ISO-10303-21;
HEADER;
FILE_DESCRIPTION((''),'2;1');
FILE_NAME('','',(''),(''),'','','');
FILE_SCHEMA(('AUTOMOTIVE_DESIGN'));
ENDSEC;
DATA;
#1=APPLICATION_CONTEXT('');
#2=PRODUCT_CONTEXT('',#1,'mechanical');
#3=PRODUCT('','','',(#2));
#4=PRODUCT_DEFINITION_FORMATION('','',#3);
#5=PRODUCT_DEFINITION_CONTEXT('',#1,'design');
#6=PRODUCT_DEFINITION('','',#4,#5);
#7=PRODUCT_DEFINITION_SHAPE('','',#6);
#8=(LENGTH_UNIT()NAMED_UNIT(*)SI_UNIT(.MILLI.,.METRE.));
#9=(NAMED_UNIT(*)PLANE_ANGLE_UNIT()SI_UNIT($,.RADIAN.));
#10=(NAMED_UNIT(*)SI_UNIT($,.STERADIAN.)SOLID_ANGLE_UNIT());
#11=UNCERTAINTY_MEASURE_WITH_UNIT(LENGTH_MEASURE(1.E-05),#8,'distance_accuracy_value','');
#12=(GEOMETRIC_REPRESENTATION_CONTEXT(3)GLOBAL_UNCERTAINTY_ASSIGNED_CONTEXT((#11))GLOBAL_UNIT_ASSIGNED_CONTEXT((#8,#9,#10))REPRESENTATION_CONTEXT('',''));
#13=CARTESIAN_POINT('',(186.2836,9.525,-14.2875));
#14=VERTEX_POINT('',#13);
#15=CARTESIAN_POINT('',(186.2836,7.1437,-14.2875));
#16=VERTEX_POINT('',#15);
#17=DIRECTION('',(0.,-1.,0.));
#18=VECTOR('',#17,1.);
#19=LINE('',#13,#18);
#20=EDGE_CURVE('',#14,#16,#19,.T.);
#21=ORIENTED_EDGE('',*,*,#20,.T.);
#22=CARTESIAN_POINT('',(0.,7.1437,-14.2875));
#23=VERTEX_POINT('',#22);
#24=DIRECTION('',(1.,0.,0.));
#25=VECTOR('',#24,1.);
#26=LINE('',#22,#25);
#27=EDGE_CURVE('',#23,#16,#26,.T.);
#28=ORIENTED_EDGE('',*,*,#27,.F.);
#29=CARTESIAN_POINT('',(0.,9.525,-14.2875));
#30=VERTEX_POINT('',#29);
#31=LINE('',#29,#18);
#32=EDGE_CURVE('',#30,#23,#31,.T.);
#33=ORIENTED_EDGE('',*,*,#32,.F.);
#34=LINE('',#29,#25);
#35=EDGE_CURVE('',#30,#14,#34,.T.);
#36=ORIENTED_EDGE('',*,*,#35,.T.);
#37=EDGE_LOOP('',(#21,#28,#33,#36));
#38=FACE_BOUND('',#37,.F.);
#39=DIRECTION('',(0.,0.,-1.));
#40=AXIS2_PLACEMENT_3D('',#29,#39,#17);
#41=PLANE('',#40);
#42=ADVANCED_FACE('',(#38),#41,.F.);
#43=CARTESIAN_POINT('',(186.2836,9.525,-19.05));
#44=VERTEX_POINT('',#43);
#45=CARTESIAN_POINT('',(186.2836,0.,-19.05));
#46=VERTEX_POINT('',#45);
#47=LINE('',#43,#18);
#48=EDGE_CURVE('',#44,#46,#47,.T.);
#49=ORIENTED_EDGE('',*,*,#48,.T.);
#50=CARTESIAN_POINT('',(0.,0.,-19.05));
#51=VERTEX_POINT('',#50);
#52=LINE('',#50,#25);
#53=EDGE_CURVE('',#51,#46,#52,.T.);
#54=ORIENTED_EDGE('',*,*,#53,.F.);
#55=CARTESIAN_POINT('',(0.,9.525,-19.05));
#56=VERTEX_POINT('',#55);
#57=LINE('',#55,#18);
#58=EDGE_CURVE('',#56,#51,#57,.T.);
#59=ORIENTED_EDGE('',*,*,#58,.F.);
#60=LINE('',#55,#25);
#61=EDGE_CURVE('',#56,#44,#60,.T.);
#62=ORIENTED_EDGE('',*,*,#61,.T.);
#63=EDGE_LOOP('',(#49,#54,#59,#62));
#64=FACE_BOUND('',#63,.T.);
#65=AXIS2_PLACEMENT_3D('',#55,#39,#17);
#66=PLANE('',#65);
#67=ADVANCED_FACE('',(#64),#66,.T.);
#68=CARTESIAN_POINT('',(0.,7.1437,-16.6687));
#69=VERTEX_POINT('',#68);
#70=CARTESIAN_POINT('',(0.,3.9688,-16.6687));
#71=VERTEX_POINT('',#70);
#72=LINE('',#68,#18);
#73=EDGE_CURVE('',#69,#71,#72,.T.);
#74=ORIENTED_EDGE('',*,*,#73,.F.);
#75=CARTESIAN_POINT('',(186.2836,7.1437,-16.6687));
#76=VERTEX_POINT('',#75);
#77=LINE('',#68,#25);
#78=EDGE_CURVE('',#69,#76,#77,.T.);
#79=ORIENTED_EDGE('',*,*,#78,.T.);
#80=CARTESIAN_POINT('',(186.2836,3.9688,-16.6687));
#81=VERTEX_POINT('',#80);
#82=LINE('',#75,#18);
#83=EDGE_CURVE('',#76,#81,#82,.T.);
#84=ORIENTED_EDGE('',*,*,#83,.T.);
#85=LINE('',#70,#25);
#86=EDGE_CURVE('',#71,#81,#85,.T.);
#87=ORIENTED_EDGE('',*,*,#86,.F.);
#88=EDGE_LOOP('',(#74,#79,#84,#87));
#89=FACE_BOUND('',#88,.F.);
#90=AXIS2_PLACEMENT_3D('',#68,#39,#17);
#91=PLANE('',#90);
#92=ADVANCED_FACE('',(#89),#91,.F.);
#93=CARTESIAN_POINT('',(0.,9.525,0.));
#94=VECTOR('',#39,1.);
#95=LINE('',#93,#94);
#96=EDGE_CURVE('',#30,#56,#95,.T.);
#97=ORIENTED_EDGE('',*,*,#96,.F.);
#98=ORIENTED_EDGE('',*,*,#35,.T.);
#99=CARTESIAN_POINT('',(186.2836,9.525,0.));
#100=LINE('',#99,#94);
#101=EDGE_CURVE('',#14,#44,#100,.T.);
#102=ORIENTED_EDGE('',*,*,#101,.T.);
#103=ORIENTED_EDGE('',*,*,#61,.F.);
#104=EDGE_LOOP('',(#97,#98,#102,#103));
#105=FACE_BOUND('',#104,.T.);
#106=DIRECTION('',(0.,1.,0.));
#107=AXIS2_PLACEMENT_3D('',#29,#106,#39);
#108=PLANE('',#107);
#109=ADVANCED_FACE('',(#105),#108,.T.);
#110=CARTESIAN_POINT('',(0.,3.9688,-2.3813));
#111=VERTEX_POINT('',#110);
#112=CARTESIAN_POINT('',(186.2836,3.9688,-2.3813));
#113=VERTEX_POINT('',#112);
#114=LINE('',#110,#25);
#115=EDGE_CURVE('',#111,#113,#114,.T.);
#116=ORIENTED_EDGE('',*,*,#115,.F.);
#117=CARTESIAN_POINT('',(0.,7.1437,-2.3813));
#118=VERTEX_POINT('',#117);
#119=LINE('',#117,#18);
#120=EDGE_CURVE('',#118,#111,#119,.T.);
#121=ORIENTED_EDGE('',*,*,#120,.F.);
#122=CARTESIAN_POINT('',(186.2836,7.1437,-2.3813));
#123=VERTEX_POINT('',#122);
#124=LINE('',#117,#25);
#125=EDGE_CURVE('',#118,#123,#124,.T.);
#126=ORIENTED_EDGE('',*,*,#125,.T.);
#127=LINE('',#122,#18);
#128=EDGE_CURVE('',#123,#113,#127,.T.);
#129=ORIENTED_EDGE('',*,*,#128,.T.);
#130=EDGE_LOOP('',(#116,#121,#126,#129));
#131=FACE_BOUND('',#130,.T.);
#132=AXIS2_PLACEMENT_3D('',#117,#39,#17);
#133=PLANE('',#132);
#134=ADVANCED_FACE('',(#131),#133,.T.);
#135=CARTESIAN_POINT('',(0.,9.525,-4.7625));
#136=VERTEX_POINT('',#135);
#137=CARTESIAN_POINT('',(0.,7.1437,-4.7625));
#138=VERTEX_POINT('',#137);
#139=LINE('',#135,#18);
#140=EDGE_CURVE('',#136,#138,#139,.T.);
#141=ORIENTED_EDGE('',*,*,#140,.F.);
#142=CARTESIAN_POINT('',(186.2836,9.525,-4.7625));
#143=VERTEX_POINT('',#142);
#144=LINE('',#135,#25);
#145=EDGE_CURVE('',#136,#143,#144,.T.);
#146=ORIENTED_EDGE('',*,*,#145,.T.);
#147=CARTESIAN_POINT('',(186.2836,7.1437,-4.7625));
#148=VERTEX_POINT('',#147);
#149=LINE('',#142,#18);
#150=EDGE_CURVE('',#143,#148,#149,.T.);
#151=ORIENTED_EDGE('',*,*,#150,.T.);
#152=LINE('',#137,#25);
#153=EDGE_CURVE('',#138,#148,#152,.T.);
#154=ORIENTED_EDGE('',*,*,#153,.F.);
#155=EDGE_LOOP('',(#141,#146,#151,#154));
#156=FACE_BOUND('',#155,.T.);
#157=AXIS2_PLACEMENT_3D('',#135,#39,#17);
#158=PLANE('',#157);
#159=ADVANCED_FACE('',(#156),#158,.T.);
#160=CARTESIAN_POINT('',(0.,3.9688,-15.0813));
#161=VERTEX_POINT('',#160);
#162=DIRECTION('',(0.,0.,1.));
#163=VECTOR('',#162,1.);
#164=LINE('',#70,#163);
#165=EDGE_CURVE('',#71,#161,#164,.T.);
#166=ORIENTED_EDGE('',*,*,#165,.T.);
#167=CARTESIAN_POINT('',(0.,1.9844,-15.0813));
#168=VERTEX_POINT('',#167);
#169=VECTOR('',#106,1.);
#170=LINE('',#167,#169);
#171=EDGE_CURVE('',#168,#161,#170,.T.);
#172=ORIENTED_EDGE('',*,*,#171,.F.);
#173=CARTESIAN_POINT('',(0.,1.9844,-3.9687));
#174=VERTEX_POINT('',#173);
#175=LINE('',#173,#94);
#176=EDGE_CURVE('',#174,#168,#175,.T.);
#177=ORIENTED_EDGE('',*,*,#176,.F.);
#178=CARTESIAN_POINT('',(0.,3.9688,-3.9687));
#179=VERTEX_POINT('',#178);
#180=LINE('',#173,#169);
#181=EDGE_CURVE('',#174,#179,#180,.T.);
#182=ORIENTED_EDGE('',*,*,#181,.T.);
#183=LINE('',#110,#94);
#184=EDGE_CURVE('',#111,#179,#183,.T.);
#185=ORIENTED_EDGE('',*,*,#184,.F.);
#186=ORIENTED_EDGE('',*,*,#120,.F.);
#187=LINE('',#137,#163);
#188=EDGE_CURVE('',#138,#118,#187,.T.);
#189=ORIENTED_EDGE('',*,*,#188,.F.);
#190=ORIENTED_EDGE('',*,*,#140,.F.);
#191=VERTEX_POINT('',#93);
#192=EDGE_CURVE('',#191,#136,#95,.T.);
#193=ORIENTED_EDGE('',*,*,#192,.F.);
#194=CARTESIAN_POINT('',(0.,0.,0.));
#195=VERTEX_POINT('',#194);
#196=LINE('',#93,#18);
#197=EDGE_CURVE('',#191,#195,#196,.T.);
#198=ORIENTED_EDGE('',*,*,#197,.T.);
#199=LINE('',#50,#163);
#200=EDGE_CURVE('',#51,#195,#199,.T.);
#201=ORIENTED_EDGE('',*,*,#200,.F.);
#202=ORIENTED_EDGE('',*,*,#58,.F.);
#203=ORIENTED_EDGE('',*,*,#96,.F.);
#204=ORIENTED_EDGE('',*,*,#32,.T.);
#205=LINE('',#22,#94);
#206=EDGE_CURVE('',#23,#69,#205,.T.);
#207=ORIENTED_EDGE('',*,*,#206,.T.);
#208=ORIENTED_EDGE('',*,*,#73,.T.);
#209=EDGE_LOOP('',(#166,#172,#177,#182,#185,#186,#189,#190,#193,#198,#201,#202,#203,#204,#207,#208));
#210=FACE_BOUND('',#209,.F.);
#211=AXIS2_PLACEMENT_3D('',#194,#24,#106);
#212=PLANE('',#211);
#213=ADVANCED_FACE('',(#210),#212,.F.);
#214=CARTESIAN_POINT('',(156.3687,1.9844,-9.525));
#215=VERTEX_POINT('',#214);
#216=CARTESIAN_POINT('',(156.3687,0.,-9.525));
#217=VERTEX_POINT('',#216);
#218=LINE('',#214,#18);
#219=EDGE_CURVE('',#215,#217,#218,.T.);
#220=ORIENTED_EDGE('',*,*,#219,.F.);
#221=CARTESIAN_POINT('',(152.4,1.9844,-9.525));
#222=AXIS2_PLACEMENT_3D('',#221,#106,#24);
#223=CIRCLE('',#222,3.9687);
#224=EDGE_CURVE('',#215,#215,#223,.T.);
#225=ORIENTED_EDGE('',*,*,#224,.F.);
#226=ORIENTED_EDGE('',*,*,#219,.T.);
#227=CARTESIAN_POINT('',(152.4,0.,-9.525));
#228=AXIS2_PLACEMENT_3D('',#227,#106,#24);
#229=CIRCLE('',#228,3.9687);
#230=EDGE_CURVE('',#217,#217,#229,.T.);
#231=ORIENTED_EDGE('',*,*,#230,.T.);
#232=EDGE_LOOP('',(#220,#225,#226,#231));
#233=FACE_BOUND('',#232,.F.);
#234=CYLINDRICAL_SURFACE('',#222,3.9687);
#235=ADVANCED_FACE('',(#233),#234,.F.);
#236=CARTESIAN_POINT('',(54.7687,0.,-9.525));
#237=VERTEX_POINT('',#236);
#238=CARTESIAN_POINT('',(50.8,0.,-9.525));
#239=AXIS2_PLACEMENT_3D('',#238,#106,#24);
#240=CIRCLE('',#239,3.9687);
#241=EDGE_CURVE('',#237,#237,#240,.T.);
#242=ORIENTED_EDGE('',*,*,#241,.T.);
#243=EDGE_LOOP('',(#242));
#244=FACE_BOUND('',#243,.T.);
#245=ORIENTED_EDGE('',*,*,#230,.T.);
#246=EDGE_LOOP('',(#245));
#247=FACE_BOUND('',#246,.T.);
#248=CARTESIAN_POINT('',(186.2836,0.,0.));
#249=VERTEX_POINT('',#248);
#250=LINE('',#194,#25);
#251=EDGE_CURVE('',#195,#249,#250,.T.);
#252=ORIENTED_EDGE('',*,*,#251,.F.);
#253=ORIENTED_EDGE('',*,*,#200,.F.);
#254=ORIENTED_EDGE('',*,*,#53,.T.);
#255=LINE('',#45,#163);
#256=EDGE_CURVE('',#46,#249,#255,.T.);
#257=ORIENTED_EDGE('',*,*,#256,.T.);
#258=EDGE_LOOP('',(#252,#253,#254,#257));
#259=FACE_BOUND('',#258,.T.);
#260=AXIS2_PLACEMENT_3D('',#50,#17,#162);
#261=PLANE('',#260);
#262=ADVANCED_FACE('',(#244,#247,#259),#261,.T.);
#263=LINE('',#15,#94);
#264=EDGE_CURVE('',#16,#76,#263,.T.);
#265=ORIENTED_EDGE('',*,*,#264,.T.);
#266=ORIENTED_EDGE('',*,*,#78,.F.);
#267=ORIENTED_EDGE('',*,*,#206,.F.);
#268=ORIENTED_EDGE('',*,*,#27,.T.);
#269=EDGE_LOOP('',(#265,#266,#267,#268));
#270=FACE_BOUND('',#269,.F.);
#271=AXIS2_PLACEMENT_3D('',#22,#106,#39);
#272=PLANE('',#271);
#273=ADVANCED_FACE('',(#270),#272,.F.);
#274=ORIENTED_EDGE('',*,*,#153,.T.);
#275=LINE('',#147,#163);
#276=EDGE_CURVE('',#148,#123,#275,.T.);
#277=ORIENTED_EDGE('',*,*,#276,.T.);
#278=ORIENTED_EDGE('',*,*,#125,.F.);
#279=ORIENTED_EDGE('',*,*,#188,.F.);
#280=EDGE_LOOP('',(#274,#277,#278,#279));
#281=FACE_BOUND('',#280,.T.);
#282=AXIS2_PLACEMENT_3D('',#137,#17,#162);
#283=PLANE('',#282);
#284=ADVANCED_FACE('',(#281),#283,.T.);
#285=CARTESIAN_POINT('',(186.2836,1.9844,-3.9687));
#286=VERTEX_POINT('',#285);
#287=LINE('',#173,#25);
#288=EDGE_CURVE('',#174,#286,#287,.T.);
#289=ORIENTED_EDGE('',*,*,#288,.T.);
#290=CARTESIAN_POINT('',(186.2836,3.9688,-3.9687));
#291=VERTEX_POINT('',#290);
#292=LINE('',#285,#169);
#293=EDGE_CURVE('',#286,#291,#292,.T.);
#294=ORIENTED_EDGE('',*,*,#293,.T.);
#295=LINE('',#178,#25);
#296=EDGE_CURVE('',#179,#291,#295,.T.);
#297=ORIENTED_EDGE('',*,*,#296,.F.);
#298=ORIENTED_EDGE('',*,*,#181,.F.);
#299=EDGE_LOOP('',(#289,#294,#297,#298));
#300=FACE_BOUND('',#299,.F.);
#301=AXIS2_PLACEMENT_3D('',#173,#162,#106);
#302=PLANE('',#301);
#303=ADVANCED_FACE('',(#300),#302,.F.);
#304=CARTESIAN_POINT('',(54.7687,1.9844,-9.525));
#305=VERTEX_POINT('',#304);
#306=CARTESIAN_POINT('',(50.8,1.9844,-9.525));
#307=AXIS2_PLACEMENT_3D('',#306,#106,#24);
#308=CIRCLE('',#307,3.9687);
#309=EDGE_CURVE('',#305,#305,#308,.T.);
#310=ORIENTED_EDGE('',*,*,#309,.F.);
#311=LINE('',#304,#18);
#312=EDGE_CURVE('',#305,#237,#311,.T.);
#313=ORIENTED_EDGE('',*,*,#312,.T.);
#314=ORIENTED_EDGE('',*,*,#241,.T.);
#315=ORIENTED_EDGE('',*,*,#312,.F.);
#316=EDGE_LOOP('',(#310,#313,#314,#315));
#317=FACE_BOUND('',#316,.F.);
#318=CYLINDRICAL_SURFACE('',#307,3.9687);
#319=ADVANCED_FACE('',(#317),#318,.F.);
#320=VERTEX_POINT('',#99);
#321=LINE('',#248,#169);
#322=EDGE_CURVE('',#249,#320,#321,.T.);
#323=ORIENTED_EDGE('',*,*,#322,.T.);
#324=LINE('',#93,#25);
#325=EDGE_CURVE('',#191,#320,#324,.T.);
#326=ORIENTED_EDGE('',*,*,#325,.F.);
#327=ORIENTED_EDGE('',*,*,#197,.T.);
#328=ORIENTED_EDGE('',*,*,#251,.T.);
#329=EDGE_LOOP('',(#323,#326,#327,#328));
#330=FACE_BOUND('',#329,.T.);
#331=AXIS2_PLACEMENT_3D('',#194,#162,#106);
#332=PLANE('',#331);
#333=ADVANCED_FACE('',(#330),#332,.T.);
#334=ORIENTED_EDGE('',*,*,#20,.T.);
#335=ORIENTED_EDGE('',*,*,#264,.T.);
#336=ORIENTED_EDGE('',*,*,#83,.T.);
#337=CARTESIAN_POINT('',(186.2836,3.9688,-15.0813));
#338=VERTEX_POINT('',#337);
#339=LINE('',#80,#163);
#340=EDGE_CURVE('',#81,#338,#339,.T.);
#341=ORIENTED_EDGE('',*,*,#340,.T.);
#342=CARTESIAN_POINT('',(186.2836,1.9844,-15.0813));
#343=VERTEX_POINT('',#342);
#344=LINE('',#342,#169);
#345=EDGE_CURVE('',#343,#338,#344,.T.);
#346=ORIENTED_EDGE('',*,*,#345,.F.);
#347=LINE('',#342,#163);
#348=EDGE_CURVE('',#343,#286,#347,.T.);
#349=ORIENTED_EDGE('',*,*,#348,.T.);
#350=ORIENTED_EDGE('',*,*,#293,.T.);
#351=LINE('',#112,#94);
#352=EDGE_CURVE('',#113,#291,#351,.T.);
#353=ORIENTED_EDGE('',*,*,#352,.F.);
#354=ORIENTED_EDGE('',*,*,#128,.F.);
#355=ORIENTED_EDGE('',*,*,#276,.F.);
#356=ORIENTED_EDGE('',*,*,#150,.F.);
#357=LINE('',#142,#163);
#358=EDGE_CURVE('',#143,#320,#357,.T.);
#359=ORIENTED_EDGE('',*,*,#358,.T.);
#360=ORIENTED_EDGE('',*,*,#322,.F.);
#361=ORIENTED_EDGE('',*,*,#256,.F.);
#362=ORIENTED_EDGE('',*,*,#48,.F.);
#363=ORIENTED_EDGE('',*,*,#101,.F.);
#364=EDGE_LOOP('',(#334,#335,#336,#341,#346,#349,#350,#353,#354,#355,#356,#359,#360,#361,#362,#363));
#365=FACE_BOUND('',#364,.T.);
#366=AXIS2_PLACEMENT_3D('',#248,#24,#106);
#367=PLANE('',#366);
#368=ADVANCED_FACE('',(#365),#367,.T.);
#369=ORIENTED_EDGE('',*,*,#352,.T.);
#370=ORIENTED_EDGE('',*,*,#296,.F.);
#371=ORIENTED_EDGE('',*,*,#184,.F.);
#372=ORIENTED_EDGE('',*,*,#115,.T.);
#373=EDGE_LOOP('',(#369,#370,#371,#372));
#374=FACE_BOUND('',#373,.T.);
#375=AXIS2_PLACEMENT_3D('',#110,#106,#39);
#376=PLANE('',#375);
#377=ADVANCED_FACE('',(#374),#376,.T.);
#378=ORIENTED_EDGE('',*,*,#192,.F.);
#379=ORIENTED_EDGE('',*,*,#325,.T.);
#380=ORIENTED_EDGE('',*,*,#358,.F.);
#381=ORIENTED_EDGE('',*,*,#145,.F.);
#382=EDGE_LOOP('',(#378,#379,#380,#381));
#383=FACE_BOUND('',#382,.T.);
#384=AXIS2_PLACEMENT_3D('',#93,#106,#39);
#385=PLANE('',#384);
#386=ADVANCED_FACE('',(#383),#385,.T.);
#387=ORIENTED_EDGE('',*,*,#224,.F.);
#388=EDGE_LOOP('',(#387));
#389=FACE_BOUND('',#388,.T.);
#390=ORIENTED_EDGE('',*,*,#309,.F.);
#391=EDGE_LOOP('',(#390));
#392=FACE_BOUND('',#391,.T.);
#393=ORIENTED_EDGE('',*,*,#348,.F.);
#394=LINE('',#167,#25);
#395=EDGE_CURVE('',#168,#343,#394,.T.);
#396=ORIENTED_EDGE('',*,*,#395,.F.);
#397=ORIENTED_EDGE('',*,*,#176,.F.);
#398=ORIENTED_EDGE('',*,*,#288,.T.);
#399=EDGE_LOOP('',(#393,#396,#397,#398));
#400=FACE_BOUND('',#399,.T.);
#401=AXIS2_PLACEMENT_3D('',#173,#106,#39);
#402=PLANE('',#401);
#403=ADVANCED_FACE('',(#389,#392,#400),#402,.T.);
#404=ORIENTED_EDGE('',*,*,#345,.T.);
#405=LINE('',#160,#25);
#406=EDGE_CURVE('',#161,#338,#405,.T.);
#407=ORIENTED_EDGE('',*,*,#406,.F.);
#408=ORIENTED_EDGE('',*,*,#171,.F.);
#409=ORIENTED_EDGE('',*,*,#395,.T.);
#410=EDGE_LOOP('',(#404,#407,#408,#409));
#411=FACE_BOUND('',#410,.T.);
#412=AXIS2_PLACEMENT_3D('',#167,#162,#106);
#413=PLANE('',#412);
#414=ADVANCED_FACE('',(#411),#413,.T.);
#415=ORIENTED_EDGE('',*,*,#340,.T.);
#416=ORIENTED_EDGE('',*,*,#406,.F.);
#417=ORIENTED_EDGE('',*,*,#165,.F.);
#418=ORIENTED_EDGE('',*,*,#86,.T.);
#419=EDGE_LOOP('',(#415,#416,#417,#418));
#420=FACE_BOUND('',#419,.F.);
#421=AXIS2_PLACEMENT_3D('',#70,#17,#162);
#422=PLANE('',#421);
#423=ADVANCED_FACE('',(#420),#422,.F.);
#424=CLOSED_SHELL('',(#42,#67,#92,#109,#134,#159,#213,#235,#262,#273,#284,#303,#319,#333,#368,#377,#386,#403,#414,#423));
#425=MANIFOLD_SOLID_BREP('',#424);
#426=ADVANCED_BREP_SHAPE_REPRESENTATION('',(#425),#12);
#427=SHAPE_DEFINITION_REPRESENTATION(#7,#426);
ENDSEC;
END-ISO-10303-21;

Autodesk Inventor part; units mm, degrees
ref_plane "YZ Plane" through (0, 0, 0) normal (1, 0, 0) x (0, 1, 0)
ref_plane "XZ Plane" through (0, 0, 0) normal (0, 1, 0) x (-1, 0, 0)
ref_plane "XY Plane" through (0, 0, 0) normal (0, 0, 1) x (1, 0, 0)
sketch "Sketch1" plane through (0, 0, 0) normal (1, 0, 0) x (0, 1, 0)
  line L0 (0, 0) -> (9.525, 0)
  line L1 (9.525, 0) -> (9.525, -19.05)
  line L2 (9.525, -19.05) -> (0, -19.05)
  line L3 (0, -19.05) -> (0, 0)
  line L4 (0, 0) -> (7.1437, 0)
  line L5 (7.1437, 0) -> (7.1437, -19.05) construction
  line L6 (0, 0) -> (3.9688, 0) construction
  line L7 (3.9688, 0) -> (3.9688, -19.231) construction
  line L8 (9.525, -9.525) -> (9.525, -2.3813) construction
  line L9 (9.525, -9.525) -> (9.525, -4.7625)
  line L10 (9.525, -4.7625) -> (7.1437, -4.7625)
  line L11 (7.1437, -4.7625) -> (7.1437, -2.3813)
  line L12 (9.525, -9.525) -> (12.141, -9.525)
  line L13 (7.1437, -2.3813) -> (3.9688, -2.3813)
  line L14 (9.525, -9.525) -> (9.525, -3.9688)
  line L15 (9.525, -3.9688) -> (0, -3.9687) construction
  line L16 (3.9688, -2.3813) -> (3.9688, -3.9687)
  line L17 (1.9844, -3.9687) -> (3.9688, -3.9687)
  line L18 (1.9844, -3.9687) -> (1.9844, -9.525)
  line L19 (9.525, -14.2875) -> (7.1437, -14.2875)
  line L20 (7.1437, -14.2875) -> (7.1437, -16.6687)
  line L21 (7.1437, -16.6687) -> (3.9688, -16.6687)
  line L22 (3.9688, -16.6687) -> (3.9688, -15.0813)
  line L23 (1.9844, -15.0813) -> (3.9688, -15.0813)
  line L24 (1.9844, -15.0813) -> (1.9844, -9.525)
  dimension "d20" = 9.525
  dimension "d21" = 19.05
  dimension "d22" = 7.1437
  dimension "d23" = 3.9688
  dimension "d24" = 7.1437
  dimension "d25" = 4.7625
  dimension "d26" = 5.5563
extrude "Extrusion1" add sketch "Sketch1" along normal blind 186.2836 contours L0 L1 L10 L11 L13 L16 L17 L18 L24 L23 L22 L21 L20 L19 L2 L3
sketch "Sketch2" plane through (0, 1.9844, -3.9687) normal (0, 1, 0) x (1, 0, 0)
  line L0 (0, 11.1125) -> (0, 0) projected
  line L1 (0, 0) -> (186.2836, 0) projected
  line L2 (186.2836, 11.1125) -> (186.2836, 0) projected
  line L3 (0, 11.1125) -> (186.2836, 11.1125) projected
  line L4 (0, 5.5563) -> (50.8, 5.5563)
  line L5 (50.8, 5.5563) -> (152.4, 5.5563)
  line L6 (152.4, 5.5563) -> (50.8, 5.5563)
  line L7 (50.8, 5.5563) -> (254, 5.5563)
  circle A0 centre (50.8, 5.5563) radius 3.9687
  circle A1 centre (152.4, 5.5563) radius 3.9687
  circle A2 centre (254, 5.5563) radius 3.9687
  line L8 (93.1418, 0) -> (93.1418, 17.8436)
  circle A3 centre (-67.7164, 5.5563) radius 3.9687
  point P0 (0, -3.9687)
  dimension "d27" = 50.8
  dimension "d28" = 101.6
  dimension "d29" = 101.6
  dimension "d30" = 203.2
  dimension "d31" = 7.9375
  dimension "d32" = 7.9375
  dimension "d33" = 7.9375
extrude "Extrusion2" cut sketch "Sketch2" against normal through all contours A2 | A0 L5 L4 | L4 L5 A0 | A1 L7 L5 | L5 L7 A1 | A3
properties part number "C-Channel_7.334in"
